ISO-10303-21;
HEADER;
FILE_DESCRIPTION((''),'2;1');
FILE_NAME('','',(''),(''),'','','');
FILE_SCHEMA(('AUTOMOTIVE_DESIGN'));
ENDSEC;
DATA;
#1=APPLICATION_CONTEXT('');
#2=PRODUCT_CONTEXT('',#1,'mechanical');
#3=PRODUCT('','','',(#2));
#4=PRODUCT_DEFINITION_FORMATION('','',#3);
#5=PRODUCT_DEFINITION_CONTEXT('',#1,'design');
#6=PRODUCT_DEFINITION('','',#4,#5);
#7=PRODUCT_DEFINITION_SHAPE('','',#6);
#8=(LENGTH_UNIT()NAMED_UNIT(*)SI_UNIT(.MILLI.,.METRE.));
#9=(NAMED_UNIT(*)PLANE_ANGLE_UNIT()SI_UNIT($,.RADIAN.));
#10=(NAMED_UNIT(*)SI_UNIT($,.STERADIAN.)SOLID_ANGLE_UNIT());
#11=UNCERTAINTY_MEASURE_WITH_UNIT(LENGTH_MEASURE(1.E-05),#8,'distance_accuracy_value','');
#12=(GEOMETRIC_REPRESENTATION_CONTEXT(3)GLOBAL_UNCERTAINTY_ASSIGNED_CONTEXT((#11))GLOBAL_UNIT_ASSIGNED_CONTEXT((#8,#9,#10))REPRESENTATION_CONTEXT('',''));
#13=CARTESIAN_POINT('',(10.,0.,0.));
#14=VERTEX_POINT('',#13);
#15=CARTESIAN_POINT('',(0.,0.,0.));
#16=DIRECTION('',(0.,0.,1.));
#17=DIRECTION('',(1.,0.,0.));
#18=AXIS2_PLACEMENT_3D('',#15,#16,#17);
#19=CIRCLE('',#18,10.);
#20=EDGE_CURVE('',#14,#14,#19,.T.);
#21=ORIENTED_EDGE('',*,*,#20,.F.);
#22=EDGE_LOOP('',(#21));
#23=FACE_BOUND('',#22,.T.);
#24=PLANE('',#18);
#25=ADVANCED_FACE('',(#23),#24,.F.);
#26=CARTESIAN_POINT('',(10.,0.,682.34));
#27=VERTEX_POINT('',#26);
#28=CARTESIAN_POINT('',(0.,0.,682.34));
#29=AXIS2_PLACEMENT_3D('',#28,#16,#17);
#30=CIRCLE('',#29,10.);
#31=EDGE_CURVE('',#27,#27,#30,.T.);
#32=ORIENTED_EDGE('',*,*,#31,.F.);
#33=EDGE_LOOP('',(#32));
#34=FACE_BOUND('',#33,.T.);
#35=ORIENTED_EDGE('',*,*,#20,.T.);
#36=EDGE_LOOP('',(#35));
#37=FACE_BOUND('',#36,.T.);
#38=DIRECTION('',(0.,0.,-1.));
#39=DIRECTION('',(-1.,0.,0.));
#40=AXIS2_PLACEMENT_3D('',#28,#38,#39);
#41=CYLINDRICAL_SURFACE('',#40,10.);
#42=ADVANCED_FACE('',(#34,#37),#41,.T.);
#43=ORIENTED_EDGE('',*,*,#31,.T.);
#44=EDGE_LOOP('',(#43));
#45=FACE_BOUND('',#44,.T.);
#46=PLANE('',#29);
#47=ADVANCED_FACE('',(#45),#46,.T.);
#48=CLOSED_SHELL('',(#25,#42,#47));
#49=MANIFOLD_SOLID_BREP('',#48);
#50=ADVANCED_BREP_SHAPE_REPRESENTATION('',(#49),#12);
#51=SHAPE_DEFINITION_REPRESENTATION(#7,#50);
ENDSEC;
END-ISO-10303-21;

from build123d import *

# Parameters (mm, degrees)
SZKIC1_R                    = 10
DODANIE_WYCI_GNI_CIE1_DEPTH = 682.34


with BuildPart() as part:
    # Szkic1 → Dodanie-wyciągnięcie1 (new body)
    with BuildSketch(Plane.XY):
        Circle(SZKIC1_R)
    extrude(amount=DODANIE_WYCI_GNI_CIE1_DEPTH)


solid = part.part
